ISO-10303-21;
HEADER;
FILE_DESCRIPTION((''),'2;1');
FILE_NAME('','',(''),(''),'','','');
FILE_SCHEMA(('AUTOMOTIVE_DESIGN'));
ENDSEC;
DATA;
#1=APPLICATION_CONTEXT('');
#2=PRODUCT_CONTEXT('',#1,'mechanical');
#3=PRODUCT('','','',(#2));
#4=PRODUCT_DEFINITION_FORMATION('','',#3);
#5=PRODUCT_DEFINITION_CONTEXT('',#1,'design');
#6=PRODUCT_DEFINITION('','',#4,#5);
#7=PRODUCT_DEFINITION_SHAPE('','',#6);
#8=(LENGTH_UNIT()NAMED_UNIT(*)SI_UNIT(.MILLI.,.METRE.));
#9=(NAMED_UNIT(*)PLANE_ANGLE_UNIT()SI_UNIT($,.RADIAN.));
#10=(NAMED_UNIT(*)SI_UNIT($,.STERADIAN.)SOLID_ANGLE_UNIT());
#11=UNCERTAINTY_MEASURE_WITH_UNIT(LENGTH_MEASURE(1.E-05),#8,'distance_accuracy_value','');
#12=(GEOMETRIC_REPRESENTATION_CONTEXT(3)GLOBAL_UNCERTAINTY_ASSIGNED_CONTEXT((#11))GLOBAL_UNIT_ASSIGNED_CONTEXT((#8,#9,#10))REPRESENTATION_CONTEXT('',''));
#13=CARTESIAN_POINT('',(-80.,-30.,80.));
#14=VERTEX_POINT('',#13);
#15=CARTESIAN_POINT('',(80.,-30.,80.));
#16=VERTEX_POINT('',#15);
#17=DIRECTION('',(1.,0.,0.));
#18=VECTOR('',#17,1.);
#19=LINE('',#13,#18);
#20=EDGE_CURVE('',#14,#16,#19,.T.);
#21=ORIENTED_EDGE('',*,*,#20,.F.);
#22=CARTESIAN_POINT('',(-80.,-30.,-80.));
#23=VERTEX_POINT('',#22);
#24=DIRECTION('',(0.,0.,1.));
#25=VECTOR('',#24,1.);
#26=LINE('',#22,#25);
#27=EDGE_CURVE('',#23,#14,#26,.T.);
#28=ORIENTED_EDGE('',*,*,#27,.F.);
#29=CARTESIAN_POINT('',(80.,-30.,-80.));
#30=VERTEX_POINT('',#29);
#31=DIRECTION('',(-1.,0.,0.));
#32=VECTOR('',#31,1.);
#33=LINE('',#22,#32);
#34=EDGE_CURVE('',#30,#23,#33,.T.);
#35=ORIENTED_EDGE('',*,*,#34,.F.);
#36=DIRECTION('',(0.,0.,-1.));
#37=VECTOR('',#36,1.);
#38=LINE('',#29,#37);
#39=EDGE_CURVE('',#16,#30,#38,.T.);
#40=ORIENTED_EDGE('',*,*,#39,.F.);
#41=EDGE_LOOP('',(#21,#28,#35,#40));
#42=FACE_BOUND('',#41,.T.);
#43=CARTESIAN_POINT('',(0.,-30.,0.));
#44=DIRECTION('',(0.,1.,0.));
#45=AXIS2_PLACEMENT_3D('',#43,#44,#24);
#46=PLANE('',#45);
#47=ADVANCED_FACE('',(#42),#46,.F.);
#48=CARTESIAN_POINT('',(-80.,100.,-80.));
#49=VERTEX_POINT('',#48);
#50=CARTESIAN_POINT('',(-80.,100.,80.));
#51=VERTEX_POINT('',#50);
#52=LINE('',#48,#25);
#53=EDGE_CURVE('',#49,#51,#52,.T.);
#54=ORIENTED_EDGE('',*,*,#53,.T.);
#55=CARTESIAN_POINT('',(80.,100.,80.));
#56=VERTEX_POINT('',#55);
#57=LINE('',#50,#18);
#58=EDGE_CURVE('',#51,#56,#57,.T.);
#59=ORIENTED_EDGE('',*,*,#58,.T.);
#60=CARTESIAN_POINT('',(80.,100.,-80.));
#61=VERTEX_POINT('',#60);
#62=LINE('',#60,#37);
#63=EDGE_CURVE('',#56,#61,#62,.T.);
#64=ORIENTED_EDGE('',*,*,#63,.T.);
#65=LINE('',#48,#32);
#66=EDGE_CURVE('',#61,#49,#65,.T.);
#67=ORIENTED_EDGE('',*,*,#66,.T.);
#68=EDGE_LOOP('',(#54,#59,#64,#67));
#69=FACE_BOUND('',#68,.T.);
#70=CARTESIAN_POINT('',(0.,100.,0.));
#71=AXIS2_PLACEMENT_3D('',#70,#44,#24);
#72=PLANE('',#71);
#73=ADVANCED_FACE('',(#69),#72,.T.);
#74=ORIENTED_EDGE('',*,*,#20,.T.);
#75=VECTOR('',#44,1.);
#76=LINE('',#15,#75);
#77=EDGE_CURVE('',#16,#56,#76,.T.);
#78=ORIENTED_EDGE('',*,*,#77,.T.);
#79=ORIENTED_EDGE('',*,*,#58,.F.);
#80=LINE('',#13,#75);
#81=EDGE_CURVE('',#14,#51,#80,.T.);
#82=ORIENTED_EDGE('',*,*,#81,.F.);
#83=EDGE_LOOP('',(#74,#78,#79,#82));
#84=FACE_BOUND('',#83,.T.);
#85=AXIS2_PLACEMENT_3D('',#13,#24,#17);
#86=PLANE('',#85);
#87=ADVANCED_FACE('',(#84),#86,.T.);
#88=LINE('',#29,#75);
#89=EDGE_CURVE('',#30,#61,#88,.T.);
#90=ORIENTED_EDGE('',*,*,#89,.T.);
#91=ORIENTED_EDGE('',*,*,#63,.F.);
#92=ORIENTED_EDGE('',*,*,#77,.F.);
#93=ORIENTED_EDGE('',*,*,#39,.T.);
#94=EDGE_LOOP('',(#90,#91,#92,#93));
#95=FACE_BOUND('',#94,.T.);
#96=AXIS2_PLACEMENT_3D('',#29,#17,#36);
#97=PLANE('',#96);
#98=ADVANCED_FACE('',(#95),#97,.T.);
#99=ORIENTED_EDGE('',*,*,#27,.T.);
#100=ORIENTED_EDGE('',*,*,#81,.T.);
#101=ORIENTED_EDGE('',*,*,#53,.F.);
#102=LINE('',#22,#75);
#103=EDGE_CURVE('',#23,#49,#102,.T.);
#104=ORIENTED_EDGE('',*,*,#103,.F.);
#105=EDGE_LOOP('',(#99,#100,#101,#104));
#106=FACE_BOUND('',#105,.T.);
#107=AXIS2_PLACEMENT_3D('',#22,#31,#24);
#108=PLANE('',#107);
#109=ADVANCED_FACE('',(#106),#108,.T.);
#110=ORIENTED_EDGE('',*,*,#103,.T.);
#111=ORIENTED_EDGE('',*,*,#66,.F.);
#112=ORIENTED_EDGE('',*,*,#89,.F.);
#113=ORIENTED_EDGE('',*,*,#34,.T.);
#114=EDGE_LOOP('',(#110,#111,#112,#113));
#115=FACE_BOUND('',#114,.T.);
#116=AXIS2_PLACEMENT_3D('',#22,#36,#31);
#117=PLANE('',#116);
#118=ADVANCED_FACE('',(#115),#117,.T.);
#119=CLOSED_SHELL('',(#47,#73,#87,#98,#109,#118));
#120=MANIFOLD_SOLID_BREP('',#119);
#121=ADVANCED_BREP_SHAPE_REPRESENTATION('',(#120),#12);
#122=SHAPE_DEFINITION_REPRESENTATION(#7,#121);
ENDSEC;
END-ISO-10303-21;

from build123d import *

# Parameters (mm, degrees)
EXTRUDE_1_DEPTH      = 100
EXTRUDE_1_DEPTH_BACK = 30
SKETCH_1_W           = 160
SKETCH_1_H           = 160


with BuildPart() as part:
    # 草图1 → 凸台-拉伸1 (new, two sides: drawn at the far end of the back side and taken through both)
    with BuildSketch(Plane(origin=(0, 0, 0), x_dir=(1, 0, 0), z_dir=(0, 1, 0)).offset(-EXTRUDE_1_DEPTH_BACK)):
        Rectangle(SKETCH_1_W, SKETCH_1_H)
    extrude(amount=EXTRUDE_1_DEPTH + EXTRUDE_1_DEPTH_BACK)


solid = part.part
